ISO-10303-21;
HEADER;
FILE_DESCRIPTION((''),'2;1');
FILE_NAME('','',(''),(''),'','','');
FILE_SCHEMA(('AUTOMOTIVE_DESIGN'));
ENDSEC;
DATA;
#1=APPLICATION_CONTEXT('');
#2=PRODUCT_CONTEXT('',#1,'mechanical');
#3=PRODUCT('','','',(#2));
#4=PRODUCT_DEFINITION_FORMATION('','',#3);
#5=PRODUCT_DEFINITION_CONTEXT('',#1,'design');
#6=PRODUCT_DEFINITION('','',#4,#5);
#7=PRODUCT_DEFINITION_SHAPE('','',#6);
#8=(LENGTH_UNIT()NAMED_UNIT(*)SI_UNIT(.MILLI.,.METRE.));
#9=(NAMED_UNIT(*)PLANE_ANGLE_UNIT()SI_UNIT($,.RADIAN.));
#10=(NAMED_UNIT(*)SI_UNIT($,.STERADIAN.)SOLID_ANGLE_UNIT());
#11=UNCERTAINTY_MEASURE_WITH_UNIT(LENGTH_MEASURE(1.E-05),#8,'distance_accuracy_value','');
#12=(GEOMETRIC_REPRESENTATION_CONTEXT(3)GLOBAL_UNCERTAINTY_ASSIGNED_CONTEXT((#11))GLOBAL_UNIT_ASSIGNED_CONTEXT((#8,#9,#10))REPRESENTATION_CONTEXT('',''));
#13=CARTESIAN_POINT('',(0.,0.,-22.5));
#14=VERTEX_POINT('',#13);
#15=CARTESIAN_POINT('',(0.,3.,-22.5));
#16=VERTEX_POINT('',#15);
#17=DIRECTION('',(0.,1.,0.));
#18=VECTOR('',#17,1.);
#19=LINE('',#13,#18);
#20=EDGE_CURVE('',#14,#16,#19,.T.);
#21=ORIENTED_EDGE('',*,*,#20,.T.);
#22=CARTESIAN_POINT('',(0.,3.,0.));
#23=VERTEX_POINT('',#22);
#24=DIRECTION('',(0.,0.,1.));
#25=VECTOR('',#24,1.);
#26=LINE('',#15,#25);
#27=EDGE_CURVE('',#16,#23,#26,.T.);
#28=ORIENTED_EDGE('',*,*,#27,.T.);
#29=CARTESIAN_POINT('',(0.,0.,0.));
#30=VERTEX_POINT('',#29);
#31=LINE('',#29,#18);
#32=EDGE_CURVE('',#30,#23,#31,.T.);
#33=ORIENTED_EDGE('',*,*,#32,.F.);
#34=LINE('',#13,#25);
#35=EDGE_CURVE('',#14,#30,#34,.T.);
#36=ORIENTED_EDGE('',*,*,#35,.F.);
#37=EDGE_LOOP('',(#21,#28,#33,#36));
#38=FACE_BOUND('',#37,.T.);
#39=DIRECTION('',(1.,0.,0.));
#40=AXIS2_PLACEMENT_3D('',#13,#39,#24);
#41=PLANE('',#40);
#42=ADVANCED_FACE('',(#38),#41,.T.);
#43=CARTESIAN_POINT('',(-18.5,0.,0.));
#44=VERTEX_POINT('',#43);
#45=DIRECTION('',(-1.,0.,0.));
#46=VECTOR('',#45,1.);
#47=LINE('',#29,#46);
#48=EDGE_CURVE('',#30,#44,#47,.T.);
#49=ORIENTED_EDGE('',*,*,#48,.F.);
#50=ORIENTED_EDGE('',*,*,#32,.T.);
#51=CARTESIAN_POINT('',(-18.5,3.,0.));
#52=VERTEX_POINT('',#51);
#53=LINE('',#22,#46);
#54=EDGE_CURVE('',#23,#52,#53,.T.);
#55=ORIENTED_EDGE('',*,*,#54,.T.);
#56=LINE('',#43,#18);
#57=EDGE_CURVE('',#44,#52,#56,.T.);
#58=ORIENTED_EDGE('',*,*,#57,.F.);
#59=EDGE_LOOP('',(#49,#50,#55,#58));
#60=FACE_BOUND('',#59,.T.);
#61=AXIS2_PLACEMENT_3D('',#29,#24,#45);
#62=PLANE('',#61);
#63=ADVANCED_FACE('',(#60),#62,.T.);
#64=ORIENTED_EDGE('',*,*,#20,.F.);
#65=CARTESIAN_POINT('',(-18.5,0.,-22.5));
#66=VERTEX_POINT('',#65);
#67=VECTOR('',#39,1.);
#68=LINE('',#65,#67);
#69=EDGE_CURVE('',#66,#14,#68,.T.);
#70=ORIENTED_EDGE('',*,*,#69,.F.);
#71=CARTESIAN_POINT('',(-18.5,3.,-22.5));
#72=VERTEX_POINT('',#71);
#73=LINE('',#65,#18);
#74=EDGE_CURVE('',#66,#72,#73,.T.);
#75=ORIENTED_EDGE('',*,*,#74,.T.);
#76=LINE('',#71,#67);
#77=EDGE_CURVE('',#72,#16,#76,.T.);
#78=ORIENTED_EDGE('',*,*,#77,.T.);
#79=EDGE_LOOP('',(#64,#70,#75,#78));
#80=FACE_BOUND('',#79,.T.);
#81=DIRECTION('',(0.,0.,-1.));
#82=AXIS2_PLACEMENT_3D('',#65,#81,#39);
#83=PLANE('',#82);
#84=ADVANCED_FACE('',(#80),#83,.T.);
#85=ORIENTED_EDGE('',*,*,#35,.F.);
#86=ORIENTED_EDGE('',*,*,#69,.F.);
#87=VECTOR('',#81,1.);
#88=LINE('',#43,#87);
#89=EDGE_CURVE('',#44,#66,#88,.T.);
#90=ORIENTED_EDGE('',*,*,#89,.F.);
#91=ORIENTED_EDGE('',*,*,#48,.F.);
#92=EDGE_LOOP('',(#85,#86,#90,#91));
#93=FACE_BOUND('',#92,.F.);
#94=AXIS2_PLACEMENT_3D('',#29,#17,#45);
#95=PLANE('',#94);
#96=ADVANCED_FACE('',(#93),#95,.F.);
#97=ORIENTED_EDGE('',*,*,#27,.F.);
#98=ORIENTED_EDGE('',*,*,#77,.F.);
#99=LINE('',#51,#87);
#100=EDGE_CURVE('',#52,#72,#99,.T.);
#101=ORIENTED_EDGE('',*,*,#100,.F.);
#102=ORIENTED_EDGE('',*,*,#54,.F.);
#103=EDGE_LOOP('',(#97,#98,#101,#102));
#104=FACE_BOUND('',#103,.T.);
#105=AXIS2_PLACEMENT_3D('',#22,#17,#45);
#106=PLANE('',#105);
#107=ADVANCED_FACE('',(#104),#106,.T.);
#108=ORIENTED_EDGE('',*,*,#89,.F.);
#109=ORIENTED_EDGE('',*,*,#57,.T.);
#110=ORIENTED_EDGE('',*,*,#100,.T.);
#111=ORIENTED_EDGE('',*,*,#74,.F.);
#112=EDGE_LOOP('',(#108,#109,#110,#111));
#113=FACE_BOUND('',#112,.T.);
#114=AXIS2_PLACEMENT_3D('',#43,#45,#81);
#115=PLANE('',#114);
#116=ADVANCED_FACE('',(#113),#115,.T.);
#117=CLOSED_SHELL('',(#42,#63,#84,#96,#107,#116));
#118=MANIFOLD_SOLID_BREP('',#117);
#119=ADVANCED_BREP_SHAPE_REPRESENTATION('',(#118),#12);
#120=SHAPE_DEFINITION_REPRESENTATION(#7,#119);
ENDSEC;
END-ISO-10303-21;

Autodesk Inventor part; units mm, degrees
ref_plane "YZ Plane" through (0, 0, 0) normal (1, 0, 0) x (0, 1, 0)
ref_plane "XZ Plane" through (0, 0, 0) normal (0, 1, 0) x (-1, 0, 0)
ref_plane "XY Plane" through (0, 0, 0) normal (0, 0, 1) x (1, 0, 0)
sketch "Sketch1" plane through (0, 0, 0) normal (0, 1, 0) x (-1, 0, 0)
  line L0 (0, 0) -> (18.5, 0)
  line L1 (18.5, 0) -> (18.5, -22.5)
  line L2 (18.5, -22.5) -> (0, -22.5)
  line L3 (0, -22.5) -> (0, 0)
  dimension "d0" = 18.5
  dimension "d1" = 22.5
extrude "Extrusion1" add sketch "Sketch1" along normal blind 3
properties part number "buttons_BLE_nano"
